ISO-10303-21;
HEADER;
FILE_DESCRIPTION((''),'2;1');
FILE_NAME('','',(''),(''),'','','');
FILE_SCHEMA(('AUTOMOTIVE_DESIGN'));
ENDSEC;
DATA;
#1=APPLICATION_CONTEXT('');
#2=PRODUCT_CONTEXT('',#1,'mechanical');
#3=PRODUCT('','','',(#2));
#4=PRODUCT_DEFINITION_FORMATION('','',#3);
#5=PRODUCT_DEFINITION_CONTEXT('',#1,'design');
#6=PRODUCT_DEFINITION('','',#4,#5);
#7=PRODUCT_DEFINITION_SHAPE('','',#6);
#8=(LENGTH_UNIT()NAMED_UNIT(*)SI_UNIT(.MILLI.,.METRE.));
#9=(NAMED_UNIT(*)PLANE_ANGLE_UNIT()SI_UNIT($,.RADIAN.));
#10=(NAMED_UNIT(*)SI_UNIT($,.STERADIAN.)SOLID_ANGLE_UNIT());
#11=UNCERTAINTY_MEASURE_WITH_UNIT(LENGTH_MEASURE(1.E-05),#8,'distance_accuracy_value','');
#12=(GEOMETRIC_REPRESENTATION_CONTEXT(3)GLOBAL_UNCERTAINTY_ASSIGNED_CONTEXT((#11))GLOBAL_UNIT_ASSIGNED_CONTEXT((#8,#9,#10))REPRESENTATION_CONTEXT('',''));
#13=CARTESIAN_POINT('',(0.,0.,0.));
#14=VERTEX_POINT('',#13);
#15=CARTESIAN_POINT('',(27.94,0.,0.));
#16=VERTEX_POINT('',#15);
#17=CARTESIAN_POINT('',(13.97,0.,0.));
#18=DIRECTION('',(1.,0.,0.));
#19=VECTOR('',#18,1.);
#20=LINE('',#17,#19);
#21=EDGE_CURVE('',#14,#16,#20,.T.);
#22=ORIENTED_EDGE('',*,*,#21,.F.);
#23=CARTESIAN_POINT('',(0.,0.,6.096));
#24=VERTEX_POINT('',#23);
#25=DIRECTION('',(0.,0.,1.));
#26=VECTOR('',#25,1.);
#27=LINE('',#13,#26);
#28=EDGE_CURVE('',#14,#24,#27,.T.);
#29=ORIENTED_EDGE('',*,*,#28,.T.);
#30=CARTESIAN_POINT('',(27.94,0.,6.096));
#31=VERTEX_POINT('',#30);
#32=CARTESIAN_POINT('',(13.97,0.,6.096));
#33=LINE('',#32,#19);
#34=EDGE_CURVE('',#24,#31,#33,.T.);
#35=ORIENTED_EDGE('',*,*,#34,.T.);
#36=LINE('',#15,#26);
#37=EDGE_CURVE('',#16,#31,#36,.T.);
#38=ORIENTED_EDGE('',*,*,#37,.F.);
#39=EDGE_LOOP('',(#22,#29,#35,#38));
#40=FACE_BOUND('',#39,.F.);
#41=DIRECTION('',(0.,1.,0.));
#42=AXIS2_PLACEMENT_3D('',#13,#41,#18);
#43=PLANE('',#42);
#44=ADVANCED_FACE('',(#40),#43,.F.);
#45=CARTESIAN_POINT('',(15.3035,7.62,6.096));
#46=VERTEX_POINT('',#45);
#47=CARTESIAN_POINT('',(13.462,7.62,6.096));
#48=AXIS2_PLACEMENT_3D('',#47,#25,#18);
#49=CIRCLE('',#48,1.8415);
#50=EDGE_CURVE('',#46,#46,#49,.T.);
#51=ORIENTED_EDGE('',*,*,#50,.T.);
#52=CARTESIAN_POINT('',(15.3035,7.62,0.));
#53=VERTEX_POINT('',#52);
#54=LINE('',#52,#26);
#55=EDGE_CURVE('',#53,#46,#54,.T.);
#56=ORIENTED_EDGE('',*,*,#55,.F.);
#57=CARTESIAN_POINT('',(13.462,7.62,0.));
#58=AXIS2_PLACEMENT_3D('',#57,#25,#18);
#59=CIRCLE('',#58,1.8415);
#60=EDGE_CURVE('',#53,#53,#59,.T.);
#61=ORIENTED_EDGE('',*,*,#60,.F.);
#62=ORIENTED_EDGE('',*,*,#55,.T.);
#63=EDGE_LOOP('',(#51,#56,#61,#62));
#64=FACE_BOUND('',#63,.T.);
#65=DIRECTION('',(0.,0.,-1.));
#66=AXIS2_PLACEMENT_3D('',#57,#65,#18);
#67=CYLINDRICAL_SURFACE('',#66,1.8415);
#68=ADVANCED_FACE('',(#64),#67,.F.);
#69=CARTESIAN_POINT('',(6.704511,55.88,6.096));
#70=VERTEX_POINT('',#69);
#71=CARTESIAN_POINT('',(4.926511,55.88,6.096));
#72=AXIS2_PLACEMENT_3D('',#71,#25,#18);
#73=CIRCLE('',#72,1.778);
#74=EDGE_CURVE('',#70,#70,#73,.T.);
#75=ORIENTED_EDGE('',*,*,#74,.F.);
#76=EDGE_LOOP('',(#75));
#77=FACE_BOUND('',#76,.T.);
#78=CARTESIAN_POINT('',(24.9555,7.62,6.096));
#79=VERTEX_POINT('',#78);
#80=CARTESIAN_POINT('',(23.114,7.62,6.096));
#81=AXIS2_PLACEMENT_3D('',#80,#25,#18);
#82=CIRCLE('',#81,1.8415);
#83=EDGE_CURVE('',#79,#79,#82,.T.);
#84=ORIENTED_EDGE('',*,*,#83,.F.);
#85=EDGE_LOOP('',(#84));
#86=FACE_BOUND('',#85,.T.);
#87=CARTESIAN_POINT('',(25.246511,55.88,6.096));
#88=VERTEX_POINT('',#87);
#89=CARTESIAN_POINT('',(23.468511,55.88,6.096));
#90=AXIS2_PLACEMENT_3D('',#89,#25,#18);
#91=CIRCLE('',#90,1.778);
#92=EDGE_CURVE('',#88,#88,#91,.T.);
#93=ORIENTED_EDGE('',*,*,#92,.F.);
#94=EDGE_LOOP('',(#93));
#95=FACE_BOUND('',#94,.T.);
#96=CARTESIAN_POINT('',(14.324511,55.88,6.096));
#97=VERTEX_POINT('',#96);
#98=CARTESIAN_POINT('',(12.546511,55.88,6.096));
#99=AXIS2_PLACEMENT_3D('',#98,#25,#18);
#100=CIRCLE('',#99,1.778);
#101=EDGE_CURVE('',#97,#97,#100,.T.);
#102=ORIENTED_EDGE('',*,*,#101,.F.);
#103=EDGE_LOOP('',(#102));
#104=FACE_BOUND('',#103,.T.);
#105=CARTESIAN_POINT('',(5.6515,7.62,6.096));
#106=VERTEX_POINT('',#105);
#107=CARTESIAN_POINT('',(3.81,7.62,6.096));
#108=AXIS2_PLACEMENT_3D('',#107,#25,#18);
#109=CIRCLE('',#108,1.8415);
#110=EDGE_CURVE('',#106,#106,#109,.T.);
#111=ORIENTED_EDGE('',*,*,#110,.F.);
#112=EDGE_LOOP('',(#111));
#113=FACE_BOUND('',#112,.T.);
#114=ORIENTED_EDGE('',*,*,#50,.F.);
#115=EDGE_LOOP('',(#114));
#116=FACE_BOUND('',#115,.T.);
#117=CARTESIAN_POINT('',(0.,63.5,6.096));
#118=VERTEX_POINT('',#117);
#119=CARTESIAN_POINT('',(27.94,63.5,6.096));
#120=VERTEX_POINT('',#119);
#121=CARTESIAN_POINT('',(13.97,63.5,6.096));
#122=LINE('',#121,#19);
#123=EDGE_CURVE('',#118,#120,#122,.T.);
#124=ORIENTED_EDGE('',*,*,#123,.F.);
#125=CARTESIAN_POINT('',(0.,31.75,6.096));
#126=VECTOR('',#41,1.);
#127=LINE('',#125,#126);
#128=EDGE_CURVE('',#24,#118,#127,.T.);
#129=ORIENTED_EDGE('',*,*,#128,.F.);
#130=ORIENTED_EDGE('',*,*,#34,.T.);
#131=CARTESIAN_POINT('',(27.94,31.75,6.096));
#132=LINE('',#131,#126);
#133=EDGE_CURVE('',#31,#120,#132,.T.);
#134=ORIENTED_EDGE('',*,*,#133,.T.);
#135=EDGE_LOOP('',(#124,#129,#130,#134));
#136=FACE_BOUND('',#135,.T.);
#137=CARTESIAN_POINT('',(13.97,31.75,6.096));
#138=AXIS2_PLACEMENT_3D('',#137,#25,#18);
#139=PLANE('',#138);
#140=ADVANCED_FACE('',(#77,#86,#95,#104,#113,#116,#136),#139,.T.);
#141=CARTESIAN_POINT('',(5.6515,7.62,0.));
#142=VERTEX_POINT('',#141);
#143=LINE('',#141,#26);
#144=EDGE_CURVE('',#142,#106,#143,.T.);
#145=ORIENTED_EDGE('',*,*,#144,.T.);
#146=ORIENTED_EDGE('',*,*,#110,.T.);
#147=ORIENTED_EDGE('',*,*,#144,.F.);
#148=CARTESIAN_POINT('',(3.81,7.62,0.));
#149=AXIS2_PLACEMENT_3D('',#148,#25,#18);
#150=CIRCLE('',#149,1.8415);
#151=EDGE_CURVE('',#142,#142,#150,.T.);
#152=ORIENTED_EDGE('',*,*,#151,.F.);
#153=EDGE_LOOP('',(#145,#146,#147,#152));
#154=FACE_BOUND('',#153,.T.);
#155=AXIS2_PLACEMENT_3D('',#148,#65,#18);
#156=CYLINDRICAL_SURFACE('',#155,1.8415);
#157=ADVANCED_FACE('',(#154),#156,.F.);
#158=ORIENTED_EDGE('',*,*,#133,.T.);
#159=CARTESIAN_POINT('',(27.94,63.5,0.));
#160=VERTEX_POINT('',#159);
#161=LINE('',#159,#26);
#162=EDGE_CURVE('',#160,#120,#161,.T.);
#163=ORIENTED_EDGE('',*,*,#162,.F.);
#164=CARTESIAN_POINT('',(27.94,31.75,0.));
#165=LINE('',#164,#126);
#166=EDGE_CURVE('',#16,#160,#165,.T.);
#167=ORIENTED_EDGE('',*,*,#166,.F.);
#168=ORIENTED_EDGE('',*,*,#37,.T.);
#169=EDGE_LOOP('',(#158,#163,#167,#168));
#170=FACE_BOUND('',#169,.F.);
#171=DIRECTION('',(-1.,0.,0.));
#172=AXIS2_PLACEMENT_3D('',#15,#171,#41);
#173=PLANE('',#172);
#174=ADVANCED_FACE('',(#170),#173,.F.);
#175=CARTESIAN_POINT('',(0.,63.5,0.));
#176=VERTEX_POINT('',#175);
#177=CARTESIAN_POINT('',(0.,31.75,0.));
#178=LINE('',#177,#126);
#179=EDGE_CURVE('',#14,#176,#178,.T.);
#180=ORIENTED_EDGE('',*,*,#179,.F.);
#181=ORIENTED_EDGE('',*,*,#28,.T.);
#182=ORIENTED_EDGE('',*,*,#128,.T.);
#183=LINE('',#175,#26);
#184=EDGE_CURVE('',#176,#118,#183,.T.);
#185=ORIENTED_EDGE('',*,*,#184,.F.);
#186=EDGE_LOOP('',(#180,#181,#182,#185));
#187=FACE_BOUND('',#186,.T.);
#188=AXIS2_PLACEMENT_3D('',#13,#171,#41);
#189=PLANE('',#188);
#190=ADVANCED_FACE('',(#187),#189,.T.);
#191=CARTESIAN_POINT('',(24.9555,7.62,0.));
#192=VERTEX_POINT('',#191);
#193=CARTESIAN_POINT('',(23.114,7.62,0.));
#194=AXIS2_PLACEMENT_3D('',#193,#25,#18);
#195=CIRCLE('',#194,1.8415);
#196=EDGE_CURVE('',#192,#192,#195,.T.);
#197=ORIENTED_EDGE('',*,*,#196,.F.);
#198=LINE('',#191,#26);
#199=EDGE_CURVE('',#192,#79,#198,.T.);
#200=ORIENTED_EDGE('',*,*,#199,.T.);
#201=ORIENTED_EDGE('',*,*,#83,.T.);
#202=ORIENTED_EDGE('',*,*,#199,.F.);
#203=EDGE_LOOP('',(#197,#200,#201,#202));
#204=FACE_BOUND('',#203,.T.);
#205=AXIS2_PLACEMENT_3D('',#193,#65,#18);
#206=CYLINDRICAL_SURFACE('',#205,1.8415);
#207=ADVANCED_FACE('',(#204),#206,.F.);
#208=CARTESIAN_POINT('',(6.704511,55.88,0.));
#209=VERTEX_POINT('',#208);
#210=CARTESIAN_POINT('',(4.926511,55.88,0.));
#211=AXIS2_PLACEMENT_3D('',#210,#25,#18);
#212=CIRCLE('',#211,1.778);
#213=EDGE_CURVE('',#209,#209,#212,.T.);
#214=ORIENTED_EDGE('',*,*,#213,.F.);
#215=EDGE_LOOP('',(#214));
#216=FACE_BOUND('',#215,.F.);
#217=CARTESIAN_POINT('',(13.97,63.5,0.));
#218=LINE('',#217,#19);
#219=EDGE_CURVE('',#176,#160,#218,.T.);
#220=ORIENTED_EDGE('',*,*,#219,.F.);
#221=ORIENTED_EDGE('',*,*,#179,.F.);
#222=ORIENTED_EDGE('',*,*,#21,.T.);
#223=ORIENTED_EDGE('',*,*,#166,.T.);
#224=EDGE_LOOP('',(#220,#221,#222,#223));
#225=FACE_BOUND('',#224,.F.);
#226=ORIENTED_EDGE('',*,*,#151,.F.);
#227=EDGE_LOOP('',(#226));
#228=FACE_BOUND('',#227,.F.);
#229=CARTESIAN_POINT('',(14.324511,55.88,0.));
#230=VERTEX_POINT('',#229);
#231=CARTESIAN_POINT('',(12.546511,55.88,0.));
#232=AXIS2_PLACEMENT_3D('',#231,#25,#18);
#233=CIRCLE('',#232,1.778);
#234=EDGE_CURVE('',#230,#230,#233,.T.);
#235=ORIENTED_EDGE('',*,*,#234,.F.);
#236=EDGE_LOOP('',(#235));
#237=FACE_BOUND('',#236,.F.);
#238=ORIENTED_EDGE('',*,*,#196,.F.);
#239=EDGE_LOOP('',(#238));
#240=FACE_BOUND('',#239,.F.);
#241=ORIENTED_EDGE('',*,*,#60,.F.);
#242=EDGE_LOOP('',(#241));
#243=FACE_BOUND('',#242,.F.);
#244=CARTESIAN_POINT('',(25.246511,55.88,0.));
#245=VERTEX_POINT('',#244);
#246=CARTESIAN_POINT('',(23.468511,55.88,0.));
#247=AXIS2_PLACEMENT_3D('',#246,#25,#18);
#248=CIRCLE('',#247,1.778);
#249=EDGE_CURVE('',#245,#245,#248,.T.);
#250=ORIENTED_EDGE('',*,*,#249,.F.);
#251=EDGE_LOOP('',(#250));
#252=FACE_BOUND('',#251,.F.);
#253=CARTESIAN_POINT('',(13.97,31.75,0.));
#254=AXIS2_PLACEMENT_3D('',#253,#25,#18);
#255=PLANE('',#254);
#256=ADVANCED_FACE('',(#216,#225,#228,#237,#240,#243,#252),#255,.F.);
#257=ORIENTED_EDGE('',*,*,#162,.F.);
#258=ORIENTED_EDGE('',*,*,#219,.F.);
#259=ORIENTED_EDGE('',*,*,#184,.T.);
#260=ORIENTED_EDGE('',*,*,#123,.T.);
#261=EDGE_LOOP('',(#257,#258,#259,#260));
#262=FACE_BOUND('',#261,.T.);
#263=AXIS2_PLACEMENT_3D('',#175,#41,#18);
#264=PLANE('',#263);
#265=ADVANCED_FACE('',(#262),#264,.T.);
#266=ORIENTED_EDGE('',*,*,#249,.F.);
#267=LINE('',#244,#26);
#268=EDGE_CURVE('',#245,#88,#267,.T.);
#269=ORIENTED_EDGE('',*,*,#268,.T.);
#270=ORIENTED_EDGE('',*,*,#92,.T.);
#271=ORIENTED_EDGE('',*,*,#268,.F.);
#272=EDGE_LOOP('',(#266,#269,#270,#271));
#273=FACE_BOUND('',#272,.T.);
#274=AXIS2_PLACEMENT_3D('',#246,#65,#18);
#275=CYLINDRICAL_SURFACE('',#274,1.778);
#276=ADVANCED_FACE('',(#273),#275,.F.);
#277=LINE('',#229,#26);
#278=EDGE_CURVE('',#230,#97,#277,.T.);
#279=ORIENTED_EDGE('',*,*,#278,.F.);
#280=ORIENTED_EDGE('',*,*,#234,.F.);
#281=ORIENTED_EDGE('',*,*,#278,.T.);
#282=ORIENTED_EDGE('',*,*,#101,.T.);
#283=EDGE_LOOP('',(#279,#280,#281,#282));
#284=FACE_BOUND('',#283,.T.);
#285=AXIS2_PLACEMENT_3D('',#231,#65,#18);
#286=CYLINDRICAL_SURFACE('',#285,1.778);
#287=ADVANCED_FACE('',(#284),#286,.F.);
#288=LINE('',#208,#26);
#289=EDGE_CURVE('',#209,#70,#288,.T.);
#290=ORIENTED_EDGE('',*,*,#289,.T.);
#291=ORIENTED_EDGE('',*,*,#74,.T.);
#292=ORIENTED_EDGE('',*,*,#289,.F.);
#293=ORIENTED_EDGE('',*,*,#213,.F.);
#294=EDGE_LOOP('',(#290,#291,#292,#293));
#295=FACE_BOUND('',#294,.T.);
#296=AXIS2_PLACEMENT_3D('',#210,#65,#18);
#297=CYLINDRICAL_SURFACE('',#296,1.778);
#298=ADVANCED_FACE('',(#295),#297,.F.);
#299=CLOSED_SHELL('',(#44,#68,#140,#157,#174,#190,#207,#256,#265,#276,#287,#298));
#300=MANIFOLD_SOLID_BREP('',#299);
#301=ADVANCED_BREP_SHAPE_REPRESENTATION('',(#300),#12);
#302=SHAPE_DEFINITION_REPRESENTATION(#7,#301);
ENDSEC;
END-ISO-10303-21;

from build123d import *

# Parameters (mm, degrees)
F0_W     = 27.94
F0_H     = 63.5
F0_R     = 1.8415
F0_R_2   = 1.778
F1_DEPTH = 6.096


with BuildPart() as f1:
    # F0 (on Top) → F1 (new body)
    with BuildSketch(Plane.XY):
        with Locations((13.97, 31.75)):
            Rectangle(F0_W, F0_H)
        with Locations((3.81, 7.62)):
            Circle(F0_R, mode=Mode.SUBTRACT)
        with Locations((13.462, 7.62)):
            Circle(F0_R, mode=Mode.SUBTRACT)
        with Locations((23.114, 7.62)):
            Circle(F0_R, mode=Mode.SUBTRACT)
        with Locations((4.926511, 55.88)):
            Circle(F0_R_2, mode=Mode.SUBTRACT)
        with Locations((12.546511, 55.88)):
            Circle(F0_R_2, mode=Mode.SUBTRACT)
        with Locations((23.468511, 55.88)):
            Circle(F0_R_2, mode=Mode.SUBTRACT)
    extrude(amount=F1_DEPTH)


solid = f1.part
